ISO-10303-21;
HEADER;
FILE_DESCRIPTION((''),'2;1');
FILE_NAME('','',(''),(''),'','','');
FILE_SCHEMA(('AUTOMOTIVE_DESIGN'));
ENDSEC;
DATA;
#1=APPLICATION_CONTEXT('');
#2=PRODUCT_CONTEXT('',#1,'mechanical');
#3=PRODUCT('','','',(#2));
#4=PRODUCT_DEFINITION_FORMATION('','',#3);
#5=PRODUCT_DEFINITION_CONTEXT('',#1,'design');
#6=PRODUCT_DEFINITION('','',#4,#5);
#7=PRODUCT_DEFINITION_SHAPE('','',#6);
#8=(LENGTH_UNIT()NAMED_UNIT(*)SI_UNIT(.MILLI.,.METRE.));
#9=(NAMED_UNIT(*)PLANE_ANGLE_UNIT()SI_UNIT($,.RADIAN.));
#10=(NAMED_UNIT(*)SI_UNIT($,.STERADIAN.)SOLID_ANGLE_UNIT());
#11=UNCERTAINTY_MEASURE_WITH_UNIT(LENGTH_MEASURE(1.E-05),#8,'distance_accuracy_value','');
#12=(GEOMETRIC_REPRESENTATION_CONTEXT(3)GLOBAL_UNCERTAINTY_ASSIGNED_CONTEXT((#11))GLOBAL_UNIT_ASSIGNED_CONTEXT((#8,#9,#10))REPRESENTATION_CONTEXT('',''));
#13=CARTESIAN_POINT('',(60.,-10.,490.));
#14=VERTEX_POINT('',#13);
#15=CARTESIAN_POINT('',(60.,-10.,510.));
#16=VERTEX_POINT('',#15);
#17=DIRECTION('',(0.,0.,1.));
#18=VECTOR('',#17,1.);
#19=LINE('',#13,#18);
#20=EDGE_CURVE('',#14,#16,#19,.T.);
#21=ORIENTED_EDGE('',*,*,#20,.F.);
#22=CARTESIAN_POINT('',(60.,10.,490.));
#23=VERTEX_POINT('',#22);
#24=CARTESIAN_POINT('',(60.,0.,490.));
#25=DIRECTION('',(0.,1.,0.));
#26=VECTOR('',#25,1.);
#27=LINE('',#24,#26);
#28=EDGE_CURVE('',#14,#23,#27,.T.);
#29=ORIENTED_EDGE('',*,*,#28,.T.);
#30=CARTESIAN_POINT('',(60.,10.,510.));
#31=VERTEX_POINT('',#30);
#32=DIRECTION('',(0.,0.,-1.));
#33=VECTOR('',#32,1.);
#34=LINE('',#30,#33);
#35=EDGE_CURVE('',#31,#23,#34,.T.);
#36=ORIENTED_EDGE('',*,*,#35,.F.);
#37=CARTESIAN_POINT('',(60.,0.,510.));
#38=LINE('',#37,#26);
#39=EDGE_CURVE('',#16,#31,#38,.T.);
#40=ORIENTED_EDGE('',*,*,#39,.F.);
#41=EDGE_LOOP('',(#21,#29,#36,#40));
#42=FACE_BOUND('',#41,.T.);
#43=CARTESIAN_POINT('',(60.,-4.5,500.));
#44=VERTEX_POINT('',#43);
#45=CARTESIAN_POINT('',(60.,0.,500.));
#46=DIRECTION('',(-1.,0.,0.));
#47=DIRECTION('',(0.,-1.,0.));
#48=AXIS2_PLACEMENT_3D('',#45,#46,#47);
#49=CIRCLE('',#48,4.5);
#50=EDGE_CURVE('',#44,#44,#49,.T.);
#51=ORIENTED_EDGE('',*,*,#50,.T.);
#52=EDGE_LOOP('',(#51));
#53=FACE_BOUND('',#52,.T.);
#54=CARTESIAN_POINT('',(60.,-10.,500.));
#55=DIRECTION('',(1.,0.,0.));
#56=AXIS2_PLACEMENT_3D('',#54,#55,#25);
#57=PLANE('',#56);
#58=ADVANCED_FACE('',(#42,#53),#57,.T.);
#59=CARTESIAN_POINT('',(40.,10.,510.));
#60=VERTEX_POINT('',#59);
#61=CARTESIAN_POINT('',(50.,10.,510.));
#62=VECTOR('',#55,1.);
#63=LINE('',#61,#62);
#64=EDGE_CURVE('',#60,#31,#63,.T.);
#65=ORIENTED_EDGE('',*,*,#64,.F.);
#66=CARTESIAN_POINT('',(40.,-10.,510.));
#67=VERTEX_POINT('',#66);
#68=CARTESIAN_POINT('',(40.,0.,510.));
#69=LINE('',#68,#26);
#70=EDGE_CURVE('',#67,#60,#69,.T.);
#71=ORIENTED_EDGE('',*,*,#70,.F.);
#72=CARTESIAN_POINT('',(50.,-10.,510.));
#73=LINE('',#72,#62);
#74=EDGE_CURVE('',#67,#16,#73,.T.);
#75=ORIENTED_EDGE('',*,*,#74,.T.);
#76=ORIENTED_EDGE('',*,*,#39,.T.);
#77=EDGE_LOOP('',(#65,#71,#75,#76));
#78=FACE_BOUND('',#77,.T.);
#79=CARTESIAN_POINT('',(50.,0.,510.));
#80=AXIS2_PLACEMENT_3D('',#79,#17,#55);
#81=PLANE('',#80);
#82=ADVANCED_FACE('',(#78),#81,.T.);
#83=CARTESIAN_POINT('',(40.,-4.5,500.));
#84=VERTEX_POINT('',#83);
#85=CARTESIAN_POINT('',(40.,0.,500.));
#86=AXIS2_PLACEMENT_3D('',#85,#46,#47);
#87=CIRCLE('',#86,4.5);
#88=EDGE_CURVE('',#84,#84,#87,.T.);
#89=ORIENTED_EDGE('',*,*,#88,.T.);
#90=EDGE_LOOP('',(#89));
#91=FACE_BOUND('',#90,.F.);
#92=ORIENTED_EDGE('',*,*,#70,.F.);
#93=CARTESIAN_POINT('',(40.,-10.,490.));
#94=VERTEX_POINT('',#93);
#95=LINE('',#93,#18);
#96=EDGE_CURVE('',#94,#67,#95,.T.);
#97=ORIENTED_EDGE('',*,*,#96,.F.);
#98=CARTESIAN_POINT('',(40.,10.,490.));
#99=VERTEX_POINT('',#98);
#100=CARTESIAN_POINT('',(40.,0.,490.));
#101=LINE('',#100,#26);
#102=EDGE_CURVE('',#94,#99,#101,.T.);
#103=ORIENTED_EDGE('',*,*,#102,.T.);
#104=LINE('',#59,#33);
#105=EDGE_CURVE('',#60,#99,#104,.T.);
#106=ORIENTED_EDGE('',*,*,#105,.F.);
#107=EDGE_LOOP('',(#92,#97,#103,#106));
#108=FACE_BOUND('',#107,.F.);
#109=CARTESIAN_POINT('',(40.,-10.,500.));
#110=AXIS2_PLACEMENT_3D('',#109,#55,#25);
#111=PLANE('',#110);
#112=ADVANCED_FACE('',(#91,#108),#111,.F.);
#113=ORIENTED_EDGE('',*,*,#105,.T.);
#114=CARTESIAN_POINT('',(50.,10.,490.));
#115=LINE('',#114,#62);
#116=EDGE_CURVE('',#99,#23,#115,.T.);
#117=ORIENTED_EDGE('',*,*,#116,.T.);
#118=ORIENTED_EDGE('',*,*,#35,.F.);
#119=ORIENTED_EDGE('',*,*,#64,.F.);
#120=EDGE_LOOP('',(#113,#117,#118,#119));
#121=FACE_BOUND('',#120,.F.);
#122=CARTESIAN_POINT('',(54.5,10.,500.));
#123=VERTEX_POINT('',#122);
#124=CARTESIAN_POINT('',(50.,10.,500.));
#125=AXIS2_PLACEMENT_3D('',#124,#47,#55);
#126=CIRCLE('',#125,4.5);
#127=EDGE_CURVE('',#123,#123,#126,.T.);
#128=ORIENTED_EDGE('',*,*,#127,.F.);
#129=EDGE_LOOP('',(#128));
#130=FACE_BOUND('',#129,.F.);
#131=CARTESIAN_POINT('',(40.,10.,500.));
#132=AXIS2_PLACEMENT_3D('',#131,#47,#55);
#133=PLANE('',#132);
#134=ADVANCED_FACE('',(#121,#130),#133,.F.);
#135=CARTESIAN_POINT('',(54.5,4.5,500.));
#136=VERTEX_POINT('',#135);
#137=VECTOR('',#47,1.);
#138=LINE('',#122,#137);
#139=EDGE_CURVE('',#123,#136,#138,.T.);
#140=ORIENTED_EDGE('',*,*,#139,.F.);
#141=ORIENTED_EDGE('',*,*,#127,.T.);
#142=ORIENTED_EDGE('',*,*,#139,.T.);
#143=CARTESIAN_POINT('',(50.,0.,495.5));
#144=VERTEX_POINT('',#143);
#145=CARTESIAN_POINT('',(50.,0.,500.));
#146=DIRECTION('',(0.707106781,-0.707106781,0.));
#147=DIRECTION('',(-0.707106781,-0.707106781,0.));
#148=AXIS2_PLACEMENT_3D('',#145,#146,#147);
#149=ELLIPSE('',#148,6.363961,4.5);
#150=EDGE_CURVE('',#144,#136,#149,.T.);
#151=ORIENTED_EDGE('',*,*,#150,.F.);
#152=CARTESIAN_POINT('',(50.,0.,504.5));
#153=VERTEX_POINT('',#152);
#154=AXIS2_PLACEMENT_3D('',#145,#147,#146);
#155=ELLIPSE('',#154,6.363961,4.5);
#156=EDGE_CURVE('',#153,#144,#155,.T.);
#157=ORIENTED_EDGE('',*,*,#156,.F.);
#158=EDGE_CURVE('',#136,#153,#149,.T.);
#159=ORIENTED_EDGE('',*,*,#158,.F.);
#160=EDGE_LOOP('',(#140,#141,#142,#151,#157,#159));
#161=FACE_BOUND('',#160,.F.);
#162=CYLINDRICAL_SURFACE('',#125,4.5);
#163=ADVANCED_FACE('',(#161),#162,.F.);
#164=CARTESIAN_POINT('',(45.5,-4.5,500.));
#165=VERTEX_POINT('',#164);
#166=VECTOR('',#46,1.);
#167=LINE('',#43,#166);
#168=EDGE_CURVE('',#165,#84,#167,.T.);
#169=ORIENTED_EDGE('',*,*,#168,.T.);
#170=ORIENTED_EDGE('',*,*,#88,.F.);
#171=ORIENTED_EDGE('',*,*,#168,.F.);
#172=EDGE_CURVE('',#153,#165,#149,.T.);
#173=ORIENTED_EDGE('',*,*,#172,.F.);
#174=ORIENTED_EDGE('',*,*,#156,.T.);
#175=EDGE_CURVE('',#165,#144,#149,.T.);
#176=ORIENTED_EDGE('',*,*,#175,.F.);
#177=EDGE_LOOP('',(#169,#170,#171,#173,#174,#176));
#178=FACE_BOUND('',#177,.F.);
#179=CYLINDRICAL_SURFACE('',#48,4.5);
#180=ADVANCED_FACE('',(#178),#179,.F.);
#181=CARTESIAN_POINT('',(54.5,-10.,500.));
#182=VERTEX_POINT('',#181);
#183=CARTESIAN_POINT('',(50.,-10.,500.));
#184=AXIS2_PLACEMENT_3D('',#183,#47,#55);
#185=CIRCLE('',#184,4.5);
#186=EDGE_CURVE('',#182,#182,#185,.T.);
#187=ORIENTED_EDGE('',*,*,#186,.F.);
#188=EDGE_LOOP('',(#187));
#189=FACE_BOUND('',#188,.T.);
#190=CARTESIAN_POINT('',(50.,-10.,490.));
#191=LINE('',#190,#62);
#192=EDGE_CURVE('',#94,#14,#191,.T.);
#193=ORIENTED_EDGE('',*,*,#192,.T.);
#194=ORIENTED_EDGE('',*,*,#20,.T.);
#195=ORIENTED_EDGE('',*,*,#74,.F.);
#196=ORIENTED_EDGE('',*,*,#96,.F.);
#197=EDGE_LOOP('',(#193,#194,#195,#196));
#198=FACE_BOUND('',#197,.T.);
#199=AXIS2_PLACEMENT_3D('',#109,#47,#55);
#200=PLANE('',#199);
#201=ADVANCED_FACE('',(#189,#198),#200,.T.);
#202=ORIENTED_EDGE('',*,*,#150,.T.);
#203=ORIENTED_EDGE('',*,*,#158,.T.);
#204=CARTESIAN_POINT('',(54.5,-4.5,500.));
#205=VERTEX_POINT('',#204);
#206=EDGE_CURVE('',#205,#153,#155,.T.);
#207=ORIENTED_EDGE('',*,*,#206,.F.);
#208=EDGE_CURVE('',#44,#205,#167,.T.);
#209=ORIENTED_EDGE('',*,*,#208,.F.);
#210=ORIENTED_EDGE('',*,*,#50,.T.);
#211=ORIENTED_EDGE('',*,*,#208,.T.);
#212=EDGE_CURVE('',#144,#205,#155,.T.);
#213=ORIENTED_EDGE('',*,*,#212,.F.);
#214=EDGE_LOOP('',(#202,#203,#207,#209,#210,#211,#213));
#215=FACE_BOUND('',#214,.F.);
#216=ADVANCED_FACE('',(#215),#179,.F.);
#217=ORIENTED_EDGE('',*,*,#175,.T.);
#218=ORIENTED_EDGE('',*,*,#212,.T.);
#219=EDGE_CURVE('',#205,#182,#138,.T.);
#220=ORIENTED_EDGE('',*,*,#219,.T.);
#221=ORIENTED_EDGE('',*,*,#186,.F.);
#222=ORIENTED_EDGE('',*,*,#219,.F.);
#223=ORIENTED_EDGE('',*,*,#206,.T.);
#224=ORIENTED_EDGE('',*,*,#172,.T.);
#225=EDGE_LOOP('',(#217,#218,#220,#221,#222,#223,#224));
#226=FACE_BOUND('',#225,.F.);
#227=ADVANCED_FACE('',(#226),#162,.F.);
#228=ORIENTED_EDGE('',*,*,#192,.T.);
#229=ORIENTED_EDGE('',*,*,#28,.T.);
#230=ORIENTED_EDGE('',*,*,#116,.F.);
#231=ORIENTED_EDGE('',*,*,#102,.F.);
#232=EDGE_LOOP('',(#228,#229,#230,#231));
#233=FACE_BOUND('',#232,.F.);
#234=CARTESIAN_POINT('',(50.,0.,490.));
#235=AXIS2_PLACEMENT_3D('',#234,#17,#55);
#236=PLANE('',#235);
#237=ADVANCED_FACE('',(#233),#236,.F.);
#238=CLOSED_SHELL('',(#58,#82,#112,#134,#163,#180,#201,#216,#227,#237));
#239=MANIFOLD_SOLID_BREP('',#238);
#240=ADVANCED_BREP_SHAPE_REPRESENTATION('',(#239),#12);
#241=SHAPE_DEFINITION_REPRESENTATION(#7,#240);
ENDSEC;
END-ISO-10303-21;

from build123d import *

# Parameters (mm, degrees)
SKETCH_W            = 20
SKETCH_H            = 20
PAD_DEPTH           = 10
HOLE_D              = 5
HOLE_DEPTH          = 25
HOLE_CBORE_D        = 9
HOLE_CBORE_DEPTH    = 20
HOLE001_D           = 5
HOLE001_DEPTH       = 25
HOLE001_CBORE_D     = 9
HOLE001_CBORE_DEPTH = 20


with BuildPart() as part:
    # Sketch → Pad (new body, symmetric)
    with BuildSketch(Plane.XY):
        Rectangle(SKETCH_W, SKETCH_H)
    extrude(amount=PAD_DEPTH, both=True)

    # Hole
    with Locations(Plane.XZ.offset(10)):
        with Locations((0, 0)):
            CounterBoreHole(HOLE_D / 2, HOLE_CBORE_D / 2, HOLE_CBORE_DEPTH, depth=HOLE_DEPTH)

    # Hole001
    with Locations(Plane(origin=(-10, 0, 0), x_dir=(0, -1, 0), z_dir=(-1, 0, 0))):
        with Locations((0, 0)):
            CounterBoreHole(HOLE001_D / 2, HOLE001_CBORE_D / 2, HOLE001_CBORE_DEPTH, depth=HOLE001_DEPTH)


with BuildPart() as part_1:
    # Body placement: moved
    add(part.part.moved(Location((50, 0, 500))))


solid = part_1.part
